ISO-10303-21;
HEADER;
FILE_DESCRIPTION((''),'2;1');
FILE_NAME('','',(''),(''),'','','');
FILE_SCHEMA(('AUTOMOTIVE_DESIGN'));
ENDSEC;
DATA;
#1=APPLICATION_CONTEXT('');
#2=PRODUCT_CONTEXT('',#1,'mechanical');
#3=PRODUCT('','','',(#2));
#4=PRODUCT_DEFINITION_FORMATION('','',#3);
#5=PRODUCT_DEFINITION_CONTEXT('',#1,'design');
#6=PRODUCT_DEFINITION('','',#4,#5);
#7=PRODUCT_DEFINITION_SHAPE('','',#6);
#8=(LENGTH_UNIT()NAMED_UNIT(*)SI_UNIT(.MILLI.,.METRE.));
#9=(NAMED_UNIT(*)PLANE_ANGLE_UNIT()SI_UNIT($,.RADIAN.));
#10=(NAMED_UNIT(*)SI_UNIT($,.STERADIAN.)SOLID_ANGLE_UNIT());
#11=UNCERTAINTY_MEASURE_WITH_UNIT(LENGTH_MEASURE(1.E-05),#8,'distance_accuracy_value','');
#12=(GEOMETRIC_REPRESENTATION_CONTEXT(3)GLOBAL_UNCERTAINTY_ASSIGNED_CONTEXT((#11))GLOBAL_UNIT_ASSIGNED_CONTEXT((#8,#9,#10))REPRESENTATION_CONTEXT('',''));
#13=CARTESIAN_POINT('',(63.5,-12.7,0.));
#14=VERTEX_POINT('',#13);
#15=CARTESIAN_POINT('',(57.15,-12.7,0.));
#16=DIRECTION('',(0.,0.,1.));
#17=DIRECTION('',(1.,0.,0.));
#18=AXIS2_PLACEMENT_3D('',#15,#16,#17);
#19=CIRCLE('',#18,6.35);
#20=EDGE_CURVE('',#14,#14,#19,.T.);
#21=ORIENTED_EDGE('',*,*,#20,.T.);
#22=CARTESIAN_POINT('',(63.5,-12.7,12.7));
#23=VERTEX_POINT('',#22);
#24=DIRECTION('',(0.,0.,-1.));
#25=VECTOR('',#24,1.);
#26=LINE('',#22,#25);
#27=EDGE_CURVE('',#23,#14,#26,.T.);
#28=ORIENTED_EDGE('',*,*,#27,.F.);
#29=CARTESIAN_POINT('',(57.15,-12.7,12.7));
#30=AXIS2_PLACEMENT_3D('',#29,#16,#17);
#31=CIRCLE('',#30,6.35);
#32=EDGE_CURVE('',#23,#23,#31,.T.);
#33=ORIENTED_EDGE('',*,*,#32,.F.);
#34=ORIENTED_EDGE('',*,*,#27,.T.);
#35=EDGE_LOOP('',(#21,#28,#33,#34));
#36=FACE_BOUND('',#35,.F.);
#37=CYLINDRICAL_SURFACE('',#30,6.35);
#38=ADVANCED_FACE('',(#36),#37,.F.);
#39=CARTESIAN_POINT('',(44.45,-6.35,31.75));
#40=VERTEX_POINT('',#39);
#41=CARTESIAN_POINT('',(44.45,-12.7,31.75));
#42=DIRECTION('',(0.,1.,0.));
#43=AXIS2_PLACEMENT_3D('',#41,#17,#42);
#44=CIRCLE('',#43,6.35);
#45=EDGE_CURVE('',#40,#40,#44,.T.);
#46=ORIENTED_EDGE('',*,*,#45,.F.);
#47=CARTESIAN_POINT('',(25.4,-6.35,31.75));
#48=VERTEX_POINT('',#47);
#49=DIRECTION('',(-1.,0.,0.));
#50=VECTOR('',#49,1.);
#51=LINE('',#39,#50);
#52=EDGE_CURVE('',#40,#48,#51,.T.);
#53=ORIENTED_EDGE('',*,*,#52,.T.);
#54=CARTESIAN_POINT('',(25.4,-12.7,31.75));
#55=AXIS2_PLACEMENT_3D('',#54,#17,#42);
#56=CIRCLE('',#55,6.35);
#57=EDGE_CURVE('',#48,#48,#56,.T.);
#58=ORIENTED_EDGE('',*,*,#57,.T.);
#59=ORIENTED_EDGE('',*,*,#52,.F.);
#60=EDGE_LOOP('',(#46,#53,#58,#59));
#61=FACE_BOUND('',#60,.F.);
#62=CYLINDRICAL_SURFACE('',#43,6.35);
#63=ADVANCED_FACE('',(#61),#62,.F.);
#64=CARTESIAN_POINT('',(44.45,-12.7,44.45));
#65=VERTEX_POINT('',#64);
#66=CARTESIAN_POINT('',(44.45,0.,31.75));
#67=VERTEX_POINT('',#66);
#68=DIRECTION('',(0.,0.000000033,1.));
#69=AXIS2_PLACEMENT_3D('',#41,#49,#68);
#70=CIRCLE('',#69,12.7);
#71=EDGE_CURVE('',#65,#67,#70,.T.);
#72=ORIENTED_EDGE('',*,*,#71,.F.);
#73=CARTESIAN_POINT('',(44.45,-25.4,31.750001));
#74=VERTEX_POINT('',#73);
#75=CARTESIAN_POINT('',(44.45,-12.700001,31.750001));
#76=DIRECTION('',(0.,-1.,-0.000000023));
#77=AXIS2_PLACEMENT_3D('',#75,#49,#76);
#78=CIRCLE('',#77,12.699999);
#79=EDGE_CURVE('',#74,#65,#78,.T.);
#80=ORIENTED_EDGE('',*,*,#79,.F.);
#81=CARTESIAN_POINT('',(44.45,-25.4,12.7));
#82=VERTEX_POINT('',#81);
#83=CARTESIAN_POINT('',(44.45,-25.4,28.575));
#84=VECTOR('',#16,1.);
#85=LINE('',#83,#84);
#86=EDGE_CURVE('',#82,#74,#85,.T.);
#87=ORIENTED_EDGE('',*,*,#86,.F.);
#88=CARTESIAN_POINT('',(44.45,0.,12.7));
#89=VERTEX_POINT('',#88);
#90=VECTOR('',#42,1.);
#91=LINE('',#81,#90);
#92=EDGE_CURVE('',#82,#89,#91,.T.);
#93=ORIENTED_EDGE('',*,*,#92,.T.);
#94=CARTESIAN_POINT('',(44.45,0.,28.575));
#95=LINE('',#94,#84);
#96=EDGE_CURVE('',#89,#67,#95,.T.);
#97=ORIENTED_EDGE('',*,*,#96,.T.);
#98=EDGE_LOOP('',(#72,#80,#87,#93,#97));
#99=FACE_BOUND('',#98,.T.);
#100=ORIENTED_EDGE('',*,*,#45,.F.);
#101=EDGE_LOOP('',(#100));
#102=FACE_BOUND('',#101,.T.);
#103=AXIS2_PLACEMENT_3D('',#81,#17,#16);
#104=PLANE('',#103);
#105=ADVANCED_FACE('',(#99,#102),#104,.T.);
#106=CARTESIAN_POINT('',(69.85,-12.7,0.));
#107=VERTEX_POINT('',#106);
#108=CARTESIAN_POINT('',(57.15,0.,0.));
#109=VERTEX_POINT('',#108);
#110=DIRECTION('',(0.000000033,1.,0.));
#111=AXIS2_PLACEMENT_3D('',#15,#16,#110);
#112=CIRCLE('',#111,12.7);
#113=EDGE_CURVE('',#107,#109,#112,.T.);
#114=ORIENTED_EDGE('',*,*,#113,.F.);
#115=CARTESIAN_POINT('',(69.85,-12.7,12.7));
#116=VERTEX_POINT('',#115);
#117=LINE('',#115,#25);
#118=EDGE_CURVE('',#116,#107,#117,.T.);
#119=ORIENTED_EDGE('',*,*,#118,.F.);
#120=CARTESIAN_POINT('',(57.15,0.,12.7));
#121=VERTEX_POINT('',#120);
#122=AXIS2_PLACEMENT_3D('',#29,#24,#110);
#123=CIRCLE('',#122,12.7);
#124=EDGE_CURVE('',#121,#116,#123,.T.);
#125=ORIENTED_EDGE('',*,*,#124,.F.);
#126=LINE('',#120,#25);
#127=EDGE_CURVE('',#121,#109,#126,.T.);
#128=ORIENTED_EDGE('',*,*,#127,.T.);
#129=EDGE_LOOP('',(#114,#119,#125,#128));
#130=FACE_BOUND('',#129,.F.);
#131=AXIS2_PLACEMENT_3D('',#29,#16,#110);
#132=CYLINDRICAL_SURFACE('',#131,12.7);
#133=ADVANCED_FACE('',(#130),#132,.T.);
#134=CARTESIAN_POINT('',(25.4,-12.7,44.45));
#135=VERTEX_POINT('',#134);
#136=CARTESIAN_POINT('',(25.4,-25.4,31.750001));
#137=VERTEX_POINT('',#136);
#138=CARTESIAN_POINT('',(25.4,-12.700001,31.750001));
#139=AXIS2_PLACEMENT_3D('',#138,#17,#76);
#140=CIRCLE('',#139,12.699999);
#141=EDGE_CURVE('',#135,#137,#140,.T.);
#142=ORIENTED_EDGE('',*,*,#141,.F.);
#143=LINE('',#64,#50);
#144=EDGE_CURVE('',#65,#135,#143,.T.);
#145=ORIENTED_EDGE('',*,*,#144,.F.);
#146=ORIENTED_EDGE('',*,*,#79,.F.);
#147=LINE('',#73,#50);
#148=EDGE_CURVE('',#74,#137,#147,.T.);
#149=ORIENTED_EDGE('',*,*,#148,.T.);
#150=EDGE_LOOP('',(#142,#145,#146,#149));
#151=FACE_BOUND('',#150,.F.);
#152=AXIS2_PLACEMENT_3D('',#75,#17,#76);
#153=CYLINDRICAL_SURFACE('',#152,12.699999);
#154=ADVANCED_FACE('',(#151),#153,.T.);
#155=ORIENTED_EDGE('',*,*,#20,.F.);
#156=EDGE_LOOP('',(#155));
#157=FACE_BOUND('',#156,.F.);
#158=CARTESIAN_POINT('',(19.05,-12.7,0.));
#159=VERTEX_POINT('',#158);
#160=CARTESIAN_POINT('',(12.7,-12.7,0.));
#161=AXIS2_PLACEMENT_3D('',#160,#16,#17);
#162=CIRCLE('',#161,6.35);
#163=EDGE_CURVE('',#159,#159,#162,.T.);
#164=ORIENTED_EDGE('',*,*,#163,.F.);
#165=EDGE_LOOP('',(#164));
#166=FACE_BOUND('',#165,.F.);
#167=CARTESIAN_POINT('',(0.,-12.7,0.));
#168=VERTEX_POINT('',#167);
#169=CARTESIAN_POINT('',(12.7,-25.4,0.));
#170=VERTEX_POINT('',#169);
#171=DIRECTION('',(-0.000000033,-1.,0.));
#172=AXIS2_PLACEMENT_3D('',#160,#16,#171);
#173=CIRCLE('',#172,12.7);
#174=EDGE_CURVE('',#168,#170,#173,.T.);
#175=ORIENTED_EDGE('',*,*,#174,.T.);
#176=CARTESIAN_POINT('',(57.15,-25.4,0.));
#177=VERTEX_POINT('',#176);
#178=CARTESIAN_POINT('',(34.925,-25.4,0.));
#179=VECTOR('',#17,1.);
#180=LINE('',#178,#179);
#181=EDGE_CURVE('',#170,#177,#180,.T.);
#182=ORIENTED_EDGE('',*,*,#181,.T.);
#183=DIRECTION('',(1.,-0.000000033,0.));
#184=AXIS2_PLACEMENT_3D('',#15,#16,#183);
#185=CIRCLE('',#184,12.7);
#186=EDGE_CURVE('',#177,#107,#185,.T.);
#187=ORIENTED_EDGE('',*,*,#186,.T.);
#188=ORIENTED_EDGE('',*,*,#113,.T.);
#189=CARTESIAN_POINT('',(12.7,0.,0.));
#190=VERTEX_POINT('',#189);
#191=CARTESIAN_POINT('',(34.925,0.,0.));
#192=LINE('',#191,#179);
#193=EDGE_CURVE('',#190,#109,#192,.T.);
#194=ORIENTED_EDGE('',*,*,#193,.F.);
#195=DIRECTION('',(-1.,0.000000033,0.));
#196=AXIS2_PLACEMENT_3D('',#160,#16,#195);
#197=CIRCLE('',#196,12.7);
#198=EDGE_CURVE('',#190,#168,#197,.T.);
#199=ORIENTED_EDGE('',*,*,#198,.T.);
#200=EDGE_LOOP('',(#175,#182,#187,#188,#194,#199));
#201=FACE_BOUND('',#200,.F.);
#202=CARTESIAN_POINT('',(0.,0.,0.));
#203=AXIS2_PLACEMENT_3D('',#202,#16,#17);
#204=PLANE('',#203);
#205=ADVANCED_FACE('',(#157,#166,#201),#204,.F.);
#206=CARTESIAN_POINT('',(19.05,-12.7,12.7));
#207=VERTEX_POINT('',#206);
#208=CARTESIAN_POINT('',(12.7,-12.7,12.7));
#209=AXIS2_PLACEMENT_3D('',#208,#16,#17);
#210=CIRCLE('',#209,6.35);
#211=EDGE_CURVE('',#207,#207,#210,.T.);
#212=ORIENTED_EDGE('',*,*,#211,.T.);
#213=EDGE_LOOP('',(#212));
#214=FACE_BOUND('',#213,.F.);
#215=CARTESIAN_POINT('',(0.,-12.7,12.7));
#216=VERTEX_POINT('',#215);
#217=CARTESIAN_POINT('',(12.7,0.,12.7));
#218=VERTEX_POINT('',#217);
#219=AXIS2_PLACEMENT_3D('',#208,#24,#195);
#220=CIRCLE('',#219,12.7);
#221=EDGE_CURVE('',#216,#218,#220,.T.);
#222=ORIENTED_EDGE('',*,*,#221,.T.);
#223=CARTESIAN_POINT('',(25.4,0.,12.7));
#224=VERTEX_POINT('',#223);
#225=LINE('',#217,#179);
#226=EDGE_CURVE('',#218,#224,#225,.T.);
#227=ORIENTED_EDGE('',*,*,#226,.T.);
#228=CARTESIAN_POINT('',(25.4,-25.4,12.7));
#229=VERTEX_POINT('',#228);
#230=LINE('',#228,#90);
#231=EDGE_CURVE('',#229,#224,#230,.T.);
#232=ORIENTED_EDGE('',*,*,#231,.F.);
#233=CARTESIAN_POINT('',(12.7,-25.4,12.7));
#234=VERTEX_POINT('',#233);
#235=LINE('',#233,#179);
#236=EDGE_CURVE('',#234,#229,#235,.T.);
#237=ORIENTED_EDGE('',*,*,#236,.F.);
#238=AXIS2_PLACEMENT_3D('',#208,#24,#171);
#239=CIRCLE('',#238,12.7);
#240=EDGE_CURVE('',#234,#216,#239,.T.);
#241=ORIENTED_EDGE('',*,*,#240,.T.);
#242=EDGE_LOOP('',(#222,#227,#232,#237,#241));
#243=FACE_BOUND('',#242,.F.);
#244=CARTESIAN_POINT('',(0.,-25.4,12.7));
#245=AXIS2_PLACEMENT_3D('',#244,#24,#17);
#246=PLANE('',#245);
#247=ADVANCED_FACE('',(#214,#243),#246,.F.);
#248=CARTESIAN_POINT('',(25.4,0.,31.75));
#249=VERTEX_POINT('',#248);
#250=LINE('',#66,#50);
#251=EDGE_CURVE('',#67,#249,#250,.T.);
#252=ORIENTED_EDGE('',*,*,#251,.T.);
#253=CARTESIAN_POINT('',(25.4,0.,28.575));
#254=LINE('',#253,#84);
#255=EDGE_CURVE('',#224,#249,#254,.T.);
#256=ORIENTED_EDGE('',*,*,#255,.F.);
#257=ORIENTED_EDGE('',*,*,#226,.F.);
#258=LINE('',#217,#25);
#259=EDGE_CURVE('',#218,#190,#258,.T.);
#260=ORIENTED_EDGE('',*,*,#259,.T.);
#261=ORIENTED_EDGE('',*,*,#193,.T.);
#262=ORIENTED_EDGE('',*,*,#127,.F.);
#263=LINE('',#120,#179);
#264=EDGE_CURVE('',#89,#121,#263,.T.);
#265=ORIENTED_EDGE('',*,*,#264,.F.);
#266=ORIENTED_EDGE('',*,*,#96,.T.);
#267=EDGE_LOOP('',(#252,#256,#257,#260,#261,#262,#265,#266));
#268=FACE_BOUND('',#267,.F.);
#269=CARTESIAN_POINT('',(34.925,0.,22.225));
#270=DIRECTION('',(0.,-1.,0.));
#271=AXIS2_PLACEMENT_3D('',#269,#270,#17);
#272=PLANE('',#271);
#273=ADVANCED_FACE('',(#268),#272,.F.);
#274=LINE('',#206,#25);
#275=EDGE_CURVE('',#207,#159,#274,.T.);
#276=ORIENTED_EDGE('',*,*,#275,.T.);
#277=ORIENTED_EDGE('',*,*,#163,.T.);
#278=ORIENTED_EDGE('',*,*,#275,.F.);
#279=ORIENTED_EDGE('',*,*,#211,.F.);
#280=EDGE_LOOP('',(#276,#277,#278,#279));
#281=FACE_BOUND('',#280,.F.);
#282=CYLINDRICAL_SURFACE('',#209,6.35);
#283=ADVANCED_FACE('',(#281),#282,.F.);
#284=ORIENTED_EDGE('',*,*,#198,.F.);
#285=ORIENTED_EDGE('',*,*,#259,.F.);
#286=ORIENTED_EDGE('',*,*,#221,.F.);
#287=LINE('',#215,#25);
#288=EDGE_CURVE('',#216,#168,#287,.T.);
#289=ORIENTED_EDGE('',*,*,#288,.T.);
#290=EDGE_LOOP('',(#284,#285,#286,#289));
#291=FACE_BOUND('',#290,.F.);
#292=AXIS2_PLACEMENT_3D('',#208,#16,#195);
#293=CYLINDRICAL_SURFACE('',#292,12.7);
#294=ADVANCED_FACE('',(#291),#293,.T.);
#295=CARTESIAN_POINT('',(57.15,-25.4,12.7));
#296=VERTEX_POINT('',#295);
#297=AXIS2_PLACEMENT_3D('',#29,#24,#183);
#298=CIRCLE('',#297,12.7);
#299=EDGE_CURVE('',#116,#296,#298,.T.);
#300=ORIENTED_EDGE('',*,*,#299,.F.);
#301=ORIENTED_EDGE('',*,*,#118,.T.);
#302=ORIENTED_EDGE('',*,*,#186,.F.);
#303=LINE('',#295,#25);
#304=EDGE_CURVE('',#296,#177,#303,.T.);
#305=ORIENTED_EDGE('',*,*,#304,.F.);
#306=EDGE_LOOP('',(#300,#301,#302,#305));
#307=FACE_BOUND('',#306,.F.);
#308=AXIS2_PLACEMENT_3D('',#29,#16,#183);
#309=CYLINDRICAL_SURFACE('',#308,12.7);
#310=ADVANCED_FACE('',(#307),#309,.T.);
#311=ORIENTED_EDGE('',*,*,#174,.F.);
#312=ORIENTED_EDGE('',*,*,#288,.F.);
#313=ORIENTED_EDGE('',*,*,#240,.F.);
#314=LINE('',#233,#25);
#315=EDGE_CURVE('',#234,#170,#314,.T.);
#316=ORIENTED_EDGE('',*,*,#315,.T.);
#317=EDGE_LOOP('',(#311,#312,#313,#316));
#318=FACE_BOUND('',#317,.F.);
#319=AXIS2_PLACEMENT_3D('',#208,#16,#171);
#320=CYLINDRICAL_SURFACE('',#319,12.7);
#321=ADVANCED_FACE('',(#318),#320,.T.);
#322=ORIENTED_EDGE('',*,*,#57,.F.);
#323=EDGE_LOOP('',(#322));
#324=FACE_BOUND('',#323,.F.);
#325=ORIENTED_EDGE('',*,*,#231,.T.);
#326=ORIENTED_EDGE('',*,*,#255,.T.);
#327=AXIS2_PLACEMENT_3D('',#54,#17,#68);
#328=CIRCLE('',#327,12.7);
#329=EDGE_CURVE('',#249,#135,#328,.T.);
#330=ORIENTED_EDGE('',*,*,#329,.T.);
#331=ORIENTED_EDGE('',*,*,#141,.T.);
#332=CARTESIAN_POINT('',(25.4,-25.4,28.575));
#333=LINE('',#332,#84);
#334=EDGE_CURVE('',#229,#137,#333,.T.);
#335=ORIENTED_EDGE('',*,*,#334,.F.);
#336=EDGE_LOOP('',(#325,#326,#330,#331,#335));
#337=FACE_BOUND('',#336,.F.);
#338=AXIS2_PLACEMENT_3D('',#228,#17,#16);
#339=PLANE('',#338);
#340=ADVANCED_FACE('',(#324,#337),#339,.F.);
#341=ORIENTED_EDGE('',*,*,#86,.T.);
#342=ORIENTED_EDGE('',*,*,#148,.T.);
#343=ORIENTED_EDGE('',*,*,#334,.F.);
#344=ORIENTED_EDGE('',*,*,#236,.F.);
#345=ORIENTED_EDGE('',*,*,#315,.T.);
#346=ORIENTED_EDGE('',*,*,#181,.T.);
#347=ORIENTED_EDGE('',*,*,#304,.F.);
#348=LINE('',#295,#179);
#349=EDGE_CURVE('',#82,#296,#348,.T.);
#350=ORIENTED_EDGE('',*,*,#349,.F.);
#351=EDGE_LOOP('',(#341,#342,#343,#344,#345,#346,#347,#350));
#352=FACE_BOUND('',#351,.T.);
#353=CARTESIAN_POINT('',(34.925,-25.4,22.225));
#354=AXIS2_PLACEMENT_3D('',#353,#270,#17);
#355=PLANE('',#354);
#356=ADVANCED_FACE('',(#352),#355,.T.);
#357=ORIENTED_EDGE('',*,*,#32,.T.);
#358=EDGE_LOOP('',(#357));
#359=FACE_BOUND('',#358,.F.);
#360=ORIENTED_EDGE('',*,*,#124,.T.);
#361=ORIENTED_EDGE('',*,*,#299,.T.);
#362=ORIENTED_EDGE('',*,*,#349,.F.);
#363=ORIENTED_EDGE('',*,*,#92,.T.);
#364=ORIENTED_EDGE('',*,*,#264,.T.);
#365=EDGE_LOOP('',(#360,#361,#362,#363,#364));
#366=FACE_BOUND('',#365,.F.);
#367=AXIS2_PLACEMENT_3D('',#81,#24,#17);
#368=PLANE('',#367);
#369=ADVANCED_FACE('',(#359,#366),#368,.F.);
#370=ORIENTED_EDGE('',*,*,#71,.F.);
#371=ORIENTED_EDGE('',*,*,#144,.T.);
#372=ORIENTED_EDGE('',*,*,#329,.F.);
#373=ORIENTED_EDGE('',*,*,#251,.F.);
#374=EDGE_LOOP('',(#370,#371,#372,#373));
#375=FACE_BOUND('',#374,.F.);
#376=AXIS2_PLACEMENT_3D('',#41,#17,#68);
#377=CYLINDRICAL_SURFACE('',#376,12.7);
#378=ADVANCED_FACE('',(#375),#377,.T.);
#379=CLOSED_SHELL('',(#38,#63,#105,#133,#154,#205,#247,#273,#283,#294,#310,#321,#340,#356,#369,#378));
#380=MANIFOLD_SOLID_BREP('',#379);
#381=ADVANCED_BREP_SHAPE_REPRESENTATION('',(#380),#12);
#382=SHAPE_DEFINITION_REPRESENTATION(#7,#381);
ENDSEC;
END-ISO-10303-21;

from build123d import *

# Parameters (mm, degrees)
F0_W      = 69.85
F0_H      = 44.45
F1_DEPTH  = 25.4
F2_W      = 25.4
F2_H      = 31.75
F3_DEPTH  = 25.4
F5_DEPTH  = 25.4
F6_R      = 6.35
F7_DEPTH  = 25.4
F9_DEPTH  = 25.4
F11_DEPTH = 25.4
F12_R     = 6.35
F13_DEPTH = 25.4


with BuildPart() as f1:
    # F0 (on Front) → F1 (new body)
    with BuildSketch(Plane.XZ):
        with Locations((34.925, 22.225)):
            Rectangle(F0_W, F0_H)
    extrude(amount=F1_DEPTH)

    # F2 (on face) → F3 (cut)
    with BuildSketch(Plane.XZ.offset(25.4)):
        with Locations((12.7, 28.575)):
            Rectangle(F2_W, F2_H)
        with Locations((57.15, 28.575)):
            Rectangle(F2_W, F2_H)
    extrude(amount=-F3_DEPTH, mode=Mode.SUBTRACT)

    # F4 (on face) → F5 (cut)
    with BuildSketch(Plane.YZ.offset(44.45)):
        with BuildLine():
            ThreePointArc((-25.4, 31.750001), (-21.680256, 40.730257), (-12.7, 44.45))
            Line((-12.7, 44.45), (-25.4, 44.45))
            Line((-25.4, 44.45), (-25.4, 31.750001))
        make_face()
        with BuildLine():
            ThreePointArc((-12.7, 44.45), (-3.719744, 40.730256), (0, 31.75))
            Line((0, 31.75), (0, 44.45))
            Line((0, 44.45), (-12.7, 44.45))
        make_face()
    extrude(amount=-F5_DEPTH, mode=Mode.SUBTRACT)

    # F6 (on face) → F7 (cut)
    with BuildSketch(Plane.YZ.offset(44.45)):
        with Locations((-12.7, 31.75)):
            Circle(F6_R)
    extrude(amount=-F7_DEPTH, mode=Mode.SUBTRACT)

    # F8 (on face) → F9 (cut)
    with BuildSketch(Plane.XY.offset(12.7)):
        with BuildLine():
            ThreePointArc((57.15, 0), (66.130256, -3.719744), (69.85, -12.7))
            Line((69.85, -12.7), (69.85, 0))
            Line((69.85, 0), (57.15, 0))
        make_face()
        with BuildLine():
            ThreePointArc((69.85, -12.7), (66.130256, -21.680256), (57.15, -25.4))
            Line((57.15, -25.4), (69.85, -25.4))
            Line((69.85, -25.4), (69.85, -12.7))
        make_face()
    extrude(amount=-F9_DEPTH, mode=Mode.SUBTRACT)

    # F10 (on face) → F11 (cut)
    with BuildSketch(Plane.XY.offset(12.7)):
        with BuildLine():
            ThreePointArc((0, -12.7), (3.719744, -3.719744), (12.7, 0))
            Line((12.7, 0), (0, 0))
            Line((0, 0), (0, -12.7))
        make_face()
        with BuildLine():
            ThreePointArc((12.7, -25.4), (3.719744, -21.680256), (0, -12.7))
            Line((0, -12.7), (0, -25.4))
            Line((0, -25.4), (12.7, -25.4))
        make_face()
    extrude(amount=-F11_DEPTH, mode=Mode.SUBTRACT)

    # F12 (on face) → F13 (cut)
    with BuildSketch(Plane.XY.offset(12.7)):
        with Locations((12.7, -12.7)):
            Circle(F12_R)
        with Locations((57.15, -12.7)):
            Circle(F12_R)
    extrude(amount=-F13_DEPTH, mode=Mode.SUBTRACT)


solid = f1.part
